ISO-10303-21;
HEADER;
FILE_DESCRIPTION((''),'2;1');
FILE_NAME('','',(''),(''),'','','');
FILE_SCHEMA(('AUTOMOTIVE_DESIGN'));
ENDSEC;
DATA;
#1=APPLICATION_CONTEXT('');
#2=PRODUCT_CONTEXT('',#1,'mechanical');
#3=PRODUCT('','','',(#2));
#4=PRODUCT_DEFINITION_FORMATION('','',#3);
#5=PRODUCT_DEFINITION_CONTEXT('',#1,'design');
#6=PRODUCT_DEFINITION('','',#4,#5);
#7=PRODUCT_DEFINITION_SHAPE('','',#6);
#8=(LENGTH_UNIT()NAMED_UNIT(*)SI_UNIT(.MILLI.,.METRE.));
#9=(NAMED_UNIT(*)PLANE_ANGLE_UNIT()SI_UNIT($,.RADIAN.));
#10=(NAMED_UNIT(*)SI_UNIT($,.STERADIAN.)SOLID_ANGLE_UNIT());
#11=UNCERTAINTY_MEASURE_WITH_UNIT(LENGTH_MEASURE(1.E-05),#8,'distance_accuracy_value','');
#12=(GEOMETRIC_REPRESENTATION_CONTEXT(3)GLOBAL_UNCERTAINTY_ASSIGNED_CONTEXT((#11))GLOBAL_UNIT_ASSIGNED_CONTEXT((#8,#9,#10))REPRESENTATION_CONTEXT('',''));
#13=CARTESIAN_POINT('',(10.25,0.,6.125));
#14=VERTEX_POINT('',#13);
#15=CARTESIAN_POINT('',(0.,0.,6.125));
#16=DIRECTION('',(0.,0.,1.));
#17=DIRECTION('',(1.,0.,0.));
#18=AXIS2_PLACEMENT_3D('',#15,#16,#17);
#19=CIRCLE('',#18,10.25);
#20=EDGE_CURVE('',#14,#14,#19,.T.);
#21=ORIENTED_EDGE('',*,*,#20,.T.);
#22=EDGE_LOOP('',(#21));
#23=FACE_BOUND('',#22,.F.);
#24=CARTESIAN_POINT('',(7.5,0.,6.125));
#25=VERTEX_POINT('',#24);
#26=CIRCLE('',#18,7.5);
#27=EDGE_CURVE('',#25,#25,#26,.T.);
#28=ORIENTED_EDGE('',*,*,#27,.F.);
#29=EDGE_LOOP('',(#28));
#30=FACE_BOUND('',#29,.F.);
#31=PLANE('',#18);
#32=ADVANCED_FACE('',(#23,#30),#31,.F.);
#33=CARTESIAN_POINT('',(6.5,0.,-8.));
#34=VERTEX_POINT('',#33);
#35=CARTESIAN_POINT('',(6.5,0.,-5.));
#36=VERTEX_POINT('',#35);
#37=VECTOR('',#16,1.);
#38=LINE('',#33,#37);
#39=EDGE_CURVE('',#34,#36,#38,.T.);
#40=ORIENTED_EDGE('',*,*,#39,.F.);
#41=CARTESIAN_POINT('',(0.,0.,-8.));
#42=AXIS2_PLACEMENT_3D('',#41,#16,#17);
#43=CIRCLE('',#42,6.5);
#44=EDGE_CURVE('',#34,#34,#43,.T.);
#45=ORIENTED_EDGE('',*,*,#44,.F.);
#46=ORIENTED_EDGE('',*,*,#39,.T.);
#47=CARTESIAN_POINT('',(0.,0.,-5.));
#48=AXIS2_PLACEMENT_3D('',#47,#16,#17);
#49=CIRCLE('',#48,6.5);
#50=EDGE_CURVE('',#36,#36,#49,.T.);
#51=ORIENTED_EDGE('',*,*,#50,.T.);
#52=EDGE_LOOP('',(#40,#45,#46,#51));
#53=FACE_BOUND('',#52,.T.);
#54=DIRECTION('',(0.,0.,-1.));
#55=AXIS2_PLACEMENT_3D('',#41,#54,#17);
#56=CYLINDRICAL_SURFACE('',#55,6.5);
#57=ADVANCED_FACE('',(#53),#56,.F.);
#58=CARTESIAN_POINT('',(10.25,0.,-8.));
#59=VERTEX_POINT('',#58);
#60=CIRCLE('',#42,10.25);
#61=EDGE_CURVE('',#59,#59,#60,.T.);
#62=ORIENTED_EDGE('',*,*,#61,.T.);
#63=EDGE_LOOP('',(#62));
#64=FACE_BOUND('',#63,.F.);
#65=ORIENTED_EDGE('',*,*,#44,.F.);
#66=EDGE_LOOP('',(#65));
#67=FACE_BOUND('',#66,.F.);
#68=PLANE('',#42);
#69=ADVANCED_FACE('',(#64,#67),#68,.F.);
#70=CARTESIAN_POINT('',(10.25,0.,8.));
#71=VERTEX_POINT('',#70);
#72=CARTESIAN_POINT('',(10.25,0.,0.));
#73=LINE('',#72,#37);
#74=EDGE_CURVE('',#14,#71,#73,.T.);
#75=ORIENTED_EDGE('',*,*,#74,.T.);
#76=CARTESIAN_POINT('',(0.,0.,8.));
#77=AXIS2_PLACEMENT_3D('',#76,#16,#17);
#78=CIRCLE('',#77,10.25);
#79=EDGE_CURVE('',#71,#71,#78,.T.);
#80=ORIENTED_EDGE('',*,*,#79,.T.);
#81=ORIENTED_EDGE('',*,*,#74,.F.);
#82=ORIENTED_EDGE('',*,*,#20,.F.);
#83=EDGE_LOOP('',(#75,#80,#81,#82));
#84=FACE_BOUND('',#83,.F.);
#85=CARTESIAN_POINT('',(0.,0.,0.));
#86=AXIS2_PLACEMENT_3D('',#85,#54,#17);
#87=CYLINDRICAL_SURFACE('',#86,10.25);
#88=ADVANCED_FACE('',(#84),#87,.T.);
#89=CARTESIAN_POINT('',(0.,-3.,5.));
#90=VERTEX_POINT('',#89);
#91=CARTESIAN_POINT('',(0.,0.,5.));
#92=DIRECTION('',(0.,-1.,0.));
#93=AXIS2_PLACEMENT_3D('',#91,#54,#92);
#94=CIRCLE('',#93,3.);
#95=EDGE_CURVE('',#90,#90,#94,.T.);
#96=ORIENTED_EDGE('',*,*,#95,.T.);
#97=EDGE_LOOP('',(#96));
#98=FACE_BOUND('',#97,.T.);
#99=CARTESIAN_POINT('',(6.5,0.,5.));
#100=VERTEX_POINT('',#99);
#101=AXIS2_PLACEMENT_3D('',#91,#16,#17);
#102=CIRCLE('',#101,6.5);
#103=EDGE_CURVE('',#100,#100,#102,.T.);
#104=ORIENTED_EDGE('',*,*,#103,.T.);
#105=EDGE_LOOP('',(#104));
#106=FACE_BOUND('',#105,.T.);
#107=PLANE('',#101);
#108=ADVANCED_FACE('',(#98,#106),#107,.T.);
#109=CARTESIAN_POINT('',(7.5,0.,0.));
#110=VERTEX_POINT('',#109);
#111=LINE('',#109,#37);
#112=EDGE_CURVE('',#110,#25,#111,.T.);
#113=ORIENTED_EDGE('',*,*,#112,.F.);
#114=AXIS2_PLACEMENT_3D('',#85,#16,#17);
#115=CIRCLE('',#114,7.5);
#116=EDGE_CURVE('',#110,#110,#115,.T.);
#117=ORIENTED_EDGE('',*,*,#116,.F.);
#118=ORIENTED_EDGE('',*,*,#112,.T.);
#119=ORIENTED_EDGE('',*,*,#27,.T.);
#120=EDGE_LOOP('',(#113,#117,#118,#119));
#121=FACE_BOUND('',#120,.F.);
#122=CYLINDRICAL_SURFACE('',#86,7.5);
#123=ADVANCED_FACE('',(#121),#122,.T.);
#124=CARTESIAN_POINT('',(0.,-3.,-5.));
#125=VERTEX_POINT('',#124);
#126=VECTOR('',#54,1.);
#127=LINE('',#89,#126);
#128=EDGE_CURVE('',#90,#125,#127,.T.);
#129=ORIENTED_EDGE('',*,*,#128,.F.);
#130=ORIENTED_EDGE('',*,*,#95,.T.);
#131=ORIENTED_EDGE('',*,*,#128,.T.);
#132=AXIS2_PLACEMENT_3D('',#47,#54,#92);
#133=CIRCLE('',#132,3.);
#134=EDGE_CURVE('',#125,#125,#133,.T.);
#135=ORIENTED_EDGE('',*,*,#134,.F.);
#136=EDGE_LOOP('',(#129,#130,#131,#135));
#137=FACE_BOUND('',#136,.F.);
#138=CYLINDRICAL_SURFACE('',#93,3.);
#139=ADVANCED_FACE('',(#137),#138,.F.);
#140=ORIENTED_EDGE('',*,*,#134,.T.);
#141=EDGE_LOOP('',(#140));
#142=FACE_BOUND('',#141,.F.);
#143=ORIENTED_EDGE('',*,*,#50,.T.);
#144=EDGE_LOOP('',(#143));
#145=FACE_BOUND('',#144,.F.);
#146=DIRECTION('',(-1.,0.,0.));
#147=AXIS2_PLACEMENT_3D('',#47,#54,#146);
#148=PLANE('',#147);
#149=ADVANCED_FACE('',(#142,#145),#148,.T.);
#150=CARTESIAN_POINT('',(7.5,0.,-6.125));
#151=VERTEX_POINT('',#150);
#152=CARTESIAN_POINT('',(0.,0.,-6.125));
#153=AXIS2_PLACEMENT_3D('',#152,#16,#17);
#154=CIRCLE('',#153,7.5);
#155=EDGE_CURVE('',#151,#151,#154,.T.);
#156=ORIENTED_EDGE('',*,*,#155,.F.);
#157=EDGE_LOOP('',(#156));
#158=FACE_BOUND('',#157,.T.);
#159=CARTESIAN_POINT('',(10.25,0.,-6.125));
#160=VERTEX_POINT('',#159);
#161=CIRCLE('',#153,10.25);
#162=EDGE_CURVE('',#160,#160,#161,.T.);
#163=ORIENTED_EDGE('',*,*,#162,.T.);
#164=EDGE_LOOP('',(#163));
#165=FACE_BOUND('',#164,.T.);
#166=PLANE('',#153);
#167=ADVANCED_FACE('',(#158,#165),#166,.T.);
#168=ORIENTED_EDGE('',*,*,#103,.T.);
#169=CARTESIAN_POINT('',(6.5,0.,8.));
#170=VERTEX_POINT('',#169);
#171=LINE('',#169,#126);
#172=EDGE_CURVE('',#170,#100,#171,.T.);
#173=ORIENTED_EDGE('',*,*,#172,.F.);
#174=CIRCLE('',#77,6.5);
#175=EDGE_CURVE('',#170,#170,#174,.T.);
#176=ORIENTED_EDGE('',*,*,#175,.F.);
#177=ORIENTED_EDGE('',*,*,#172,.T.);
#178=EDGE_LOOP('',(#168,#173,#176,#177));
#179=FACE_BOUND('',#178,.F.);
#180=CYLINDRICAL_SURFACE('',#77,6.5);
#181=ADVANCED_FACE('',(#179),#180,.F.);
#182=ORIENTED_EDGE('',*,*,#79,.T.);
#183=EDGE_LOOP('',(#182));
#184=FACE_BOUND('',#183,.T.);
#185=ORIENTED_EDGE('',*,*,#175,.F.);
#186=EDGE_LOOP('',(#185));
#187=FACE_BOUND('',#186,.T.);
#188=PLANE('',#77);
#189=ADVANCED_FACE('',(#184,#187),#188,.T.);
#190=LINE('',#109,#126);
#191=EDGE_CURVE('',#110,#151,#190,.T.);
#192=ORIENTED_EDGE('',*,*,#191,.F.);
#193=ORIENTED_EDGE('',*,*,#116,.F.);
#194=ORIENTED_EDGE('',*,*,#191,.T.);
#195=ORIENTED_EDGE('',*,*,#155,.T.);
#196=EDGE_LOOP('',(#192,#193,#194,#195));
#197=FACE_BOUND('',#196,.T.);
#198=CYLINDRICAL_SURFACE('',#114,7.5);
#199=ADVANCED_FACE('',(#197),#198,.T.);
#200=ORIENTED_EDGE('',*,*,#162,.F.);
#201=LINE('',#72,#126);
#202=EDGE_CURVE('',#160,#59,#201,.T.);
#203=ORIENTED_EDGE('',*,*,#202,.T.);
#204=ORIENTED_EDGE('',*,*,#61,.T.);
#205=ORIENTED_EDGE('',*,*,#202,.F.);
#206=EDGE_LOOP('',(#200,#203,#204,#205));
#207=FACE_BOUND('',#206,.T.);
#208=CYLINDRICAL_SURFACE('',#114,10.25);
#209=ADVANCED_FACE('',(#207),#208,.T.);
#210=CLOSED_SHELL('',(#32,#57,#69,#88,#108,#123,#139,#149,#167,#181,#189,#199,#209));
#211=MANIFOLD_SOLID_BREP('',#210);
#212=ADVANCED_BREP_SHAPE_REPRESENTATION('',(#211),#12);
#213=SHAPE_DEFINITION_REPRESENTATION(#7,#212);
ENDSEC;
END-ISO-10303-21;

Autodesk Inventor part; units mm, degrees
ref_plane "YZ Plane" through (0, 0, 0) normal (1, 0, 0) x (0, 1, 0)
ref_plane "XZ Plane" through (0, 0, 0) normal (0, 1, 0) x (-1, 0, 0)
ref_plane "XY Plane" through (0, 0, 0) normal (0, 0, 1) x (1, 0, 0)
sketch "Base" plane through (0, 0, 0) normal (0, 0, 1) x (1, 0, 0)
  circle A0 centre (0, 0) radius 10.25
  dimension "d0" = 20.5
extrude "BaseFeature" add sketch "Base" along normal mid plane 16
sketch "Ridges" plane through (0, 0, 0) normal (0, 0, 1) x (1, 0, 0)
  circle A0 centre (0, 0) radius 10.25 projected
  circle A1 centre (0, 0) radius 7.5
  dimension "d3" = 15
extrude "RidgesFeature" cut sketch "Ridges" along normal mid plane 12.25
sketch "Countersink" plane through (0, 0, 8) normal (0, 0, 1) x (1, 0, 0)
  circle A0 centre (0, 0) radius 6.5
  dimension "d6" = 13
extrude "CountersinkFeature" cut sketch "Countersink" against normal blind 3
mirror "CountersinkMirrorFeature" about plane through (0, 0, 0) normal (0, 0, 1) of "CountersinkFeature"
sketch "MountHole" plane through (0, 0, 5) normal (0, 0, 1) x (1, 0, 0)
  point P0 (0, 0)
hole "MountHoleFeature" at (0, 0, 5) direction (0, 0, -1) diameter 6 end through all
properties part number "LegChainTensionerBlock"
